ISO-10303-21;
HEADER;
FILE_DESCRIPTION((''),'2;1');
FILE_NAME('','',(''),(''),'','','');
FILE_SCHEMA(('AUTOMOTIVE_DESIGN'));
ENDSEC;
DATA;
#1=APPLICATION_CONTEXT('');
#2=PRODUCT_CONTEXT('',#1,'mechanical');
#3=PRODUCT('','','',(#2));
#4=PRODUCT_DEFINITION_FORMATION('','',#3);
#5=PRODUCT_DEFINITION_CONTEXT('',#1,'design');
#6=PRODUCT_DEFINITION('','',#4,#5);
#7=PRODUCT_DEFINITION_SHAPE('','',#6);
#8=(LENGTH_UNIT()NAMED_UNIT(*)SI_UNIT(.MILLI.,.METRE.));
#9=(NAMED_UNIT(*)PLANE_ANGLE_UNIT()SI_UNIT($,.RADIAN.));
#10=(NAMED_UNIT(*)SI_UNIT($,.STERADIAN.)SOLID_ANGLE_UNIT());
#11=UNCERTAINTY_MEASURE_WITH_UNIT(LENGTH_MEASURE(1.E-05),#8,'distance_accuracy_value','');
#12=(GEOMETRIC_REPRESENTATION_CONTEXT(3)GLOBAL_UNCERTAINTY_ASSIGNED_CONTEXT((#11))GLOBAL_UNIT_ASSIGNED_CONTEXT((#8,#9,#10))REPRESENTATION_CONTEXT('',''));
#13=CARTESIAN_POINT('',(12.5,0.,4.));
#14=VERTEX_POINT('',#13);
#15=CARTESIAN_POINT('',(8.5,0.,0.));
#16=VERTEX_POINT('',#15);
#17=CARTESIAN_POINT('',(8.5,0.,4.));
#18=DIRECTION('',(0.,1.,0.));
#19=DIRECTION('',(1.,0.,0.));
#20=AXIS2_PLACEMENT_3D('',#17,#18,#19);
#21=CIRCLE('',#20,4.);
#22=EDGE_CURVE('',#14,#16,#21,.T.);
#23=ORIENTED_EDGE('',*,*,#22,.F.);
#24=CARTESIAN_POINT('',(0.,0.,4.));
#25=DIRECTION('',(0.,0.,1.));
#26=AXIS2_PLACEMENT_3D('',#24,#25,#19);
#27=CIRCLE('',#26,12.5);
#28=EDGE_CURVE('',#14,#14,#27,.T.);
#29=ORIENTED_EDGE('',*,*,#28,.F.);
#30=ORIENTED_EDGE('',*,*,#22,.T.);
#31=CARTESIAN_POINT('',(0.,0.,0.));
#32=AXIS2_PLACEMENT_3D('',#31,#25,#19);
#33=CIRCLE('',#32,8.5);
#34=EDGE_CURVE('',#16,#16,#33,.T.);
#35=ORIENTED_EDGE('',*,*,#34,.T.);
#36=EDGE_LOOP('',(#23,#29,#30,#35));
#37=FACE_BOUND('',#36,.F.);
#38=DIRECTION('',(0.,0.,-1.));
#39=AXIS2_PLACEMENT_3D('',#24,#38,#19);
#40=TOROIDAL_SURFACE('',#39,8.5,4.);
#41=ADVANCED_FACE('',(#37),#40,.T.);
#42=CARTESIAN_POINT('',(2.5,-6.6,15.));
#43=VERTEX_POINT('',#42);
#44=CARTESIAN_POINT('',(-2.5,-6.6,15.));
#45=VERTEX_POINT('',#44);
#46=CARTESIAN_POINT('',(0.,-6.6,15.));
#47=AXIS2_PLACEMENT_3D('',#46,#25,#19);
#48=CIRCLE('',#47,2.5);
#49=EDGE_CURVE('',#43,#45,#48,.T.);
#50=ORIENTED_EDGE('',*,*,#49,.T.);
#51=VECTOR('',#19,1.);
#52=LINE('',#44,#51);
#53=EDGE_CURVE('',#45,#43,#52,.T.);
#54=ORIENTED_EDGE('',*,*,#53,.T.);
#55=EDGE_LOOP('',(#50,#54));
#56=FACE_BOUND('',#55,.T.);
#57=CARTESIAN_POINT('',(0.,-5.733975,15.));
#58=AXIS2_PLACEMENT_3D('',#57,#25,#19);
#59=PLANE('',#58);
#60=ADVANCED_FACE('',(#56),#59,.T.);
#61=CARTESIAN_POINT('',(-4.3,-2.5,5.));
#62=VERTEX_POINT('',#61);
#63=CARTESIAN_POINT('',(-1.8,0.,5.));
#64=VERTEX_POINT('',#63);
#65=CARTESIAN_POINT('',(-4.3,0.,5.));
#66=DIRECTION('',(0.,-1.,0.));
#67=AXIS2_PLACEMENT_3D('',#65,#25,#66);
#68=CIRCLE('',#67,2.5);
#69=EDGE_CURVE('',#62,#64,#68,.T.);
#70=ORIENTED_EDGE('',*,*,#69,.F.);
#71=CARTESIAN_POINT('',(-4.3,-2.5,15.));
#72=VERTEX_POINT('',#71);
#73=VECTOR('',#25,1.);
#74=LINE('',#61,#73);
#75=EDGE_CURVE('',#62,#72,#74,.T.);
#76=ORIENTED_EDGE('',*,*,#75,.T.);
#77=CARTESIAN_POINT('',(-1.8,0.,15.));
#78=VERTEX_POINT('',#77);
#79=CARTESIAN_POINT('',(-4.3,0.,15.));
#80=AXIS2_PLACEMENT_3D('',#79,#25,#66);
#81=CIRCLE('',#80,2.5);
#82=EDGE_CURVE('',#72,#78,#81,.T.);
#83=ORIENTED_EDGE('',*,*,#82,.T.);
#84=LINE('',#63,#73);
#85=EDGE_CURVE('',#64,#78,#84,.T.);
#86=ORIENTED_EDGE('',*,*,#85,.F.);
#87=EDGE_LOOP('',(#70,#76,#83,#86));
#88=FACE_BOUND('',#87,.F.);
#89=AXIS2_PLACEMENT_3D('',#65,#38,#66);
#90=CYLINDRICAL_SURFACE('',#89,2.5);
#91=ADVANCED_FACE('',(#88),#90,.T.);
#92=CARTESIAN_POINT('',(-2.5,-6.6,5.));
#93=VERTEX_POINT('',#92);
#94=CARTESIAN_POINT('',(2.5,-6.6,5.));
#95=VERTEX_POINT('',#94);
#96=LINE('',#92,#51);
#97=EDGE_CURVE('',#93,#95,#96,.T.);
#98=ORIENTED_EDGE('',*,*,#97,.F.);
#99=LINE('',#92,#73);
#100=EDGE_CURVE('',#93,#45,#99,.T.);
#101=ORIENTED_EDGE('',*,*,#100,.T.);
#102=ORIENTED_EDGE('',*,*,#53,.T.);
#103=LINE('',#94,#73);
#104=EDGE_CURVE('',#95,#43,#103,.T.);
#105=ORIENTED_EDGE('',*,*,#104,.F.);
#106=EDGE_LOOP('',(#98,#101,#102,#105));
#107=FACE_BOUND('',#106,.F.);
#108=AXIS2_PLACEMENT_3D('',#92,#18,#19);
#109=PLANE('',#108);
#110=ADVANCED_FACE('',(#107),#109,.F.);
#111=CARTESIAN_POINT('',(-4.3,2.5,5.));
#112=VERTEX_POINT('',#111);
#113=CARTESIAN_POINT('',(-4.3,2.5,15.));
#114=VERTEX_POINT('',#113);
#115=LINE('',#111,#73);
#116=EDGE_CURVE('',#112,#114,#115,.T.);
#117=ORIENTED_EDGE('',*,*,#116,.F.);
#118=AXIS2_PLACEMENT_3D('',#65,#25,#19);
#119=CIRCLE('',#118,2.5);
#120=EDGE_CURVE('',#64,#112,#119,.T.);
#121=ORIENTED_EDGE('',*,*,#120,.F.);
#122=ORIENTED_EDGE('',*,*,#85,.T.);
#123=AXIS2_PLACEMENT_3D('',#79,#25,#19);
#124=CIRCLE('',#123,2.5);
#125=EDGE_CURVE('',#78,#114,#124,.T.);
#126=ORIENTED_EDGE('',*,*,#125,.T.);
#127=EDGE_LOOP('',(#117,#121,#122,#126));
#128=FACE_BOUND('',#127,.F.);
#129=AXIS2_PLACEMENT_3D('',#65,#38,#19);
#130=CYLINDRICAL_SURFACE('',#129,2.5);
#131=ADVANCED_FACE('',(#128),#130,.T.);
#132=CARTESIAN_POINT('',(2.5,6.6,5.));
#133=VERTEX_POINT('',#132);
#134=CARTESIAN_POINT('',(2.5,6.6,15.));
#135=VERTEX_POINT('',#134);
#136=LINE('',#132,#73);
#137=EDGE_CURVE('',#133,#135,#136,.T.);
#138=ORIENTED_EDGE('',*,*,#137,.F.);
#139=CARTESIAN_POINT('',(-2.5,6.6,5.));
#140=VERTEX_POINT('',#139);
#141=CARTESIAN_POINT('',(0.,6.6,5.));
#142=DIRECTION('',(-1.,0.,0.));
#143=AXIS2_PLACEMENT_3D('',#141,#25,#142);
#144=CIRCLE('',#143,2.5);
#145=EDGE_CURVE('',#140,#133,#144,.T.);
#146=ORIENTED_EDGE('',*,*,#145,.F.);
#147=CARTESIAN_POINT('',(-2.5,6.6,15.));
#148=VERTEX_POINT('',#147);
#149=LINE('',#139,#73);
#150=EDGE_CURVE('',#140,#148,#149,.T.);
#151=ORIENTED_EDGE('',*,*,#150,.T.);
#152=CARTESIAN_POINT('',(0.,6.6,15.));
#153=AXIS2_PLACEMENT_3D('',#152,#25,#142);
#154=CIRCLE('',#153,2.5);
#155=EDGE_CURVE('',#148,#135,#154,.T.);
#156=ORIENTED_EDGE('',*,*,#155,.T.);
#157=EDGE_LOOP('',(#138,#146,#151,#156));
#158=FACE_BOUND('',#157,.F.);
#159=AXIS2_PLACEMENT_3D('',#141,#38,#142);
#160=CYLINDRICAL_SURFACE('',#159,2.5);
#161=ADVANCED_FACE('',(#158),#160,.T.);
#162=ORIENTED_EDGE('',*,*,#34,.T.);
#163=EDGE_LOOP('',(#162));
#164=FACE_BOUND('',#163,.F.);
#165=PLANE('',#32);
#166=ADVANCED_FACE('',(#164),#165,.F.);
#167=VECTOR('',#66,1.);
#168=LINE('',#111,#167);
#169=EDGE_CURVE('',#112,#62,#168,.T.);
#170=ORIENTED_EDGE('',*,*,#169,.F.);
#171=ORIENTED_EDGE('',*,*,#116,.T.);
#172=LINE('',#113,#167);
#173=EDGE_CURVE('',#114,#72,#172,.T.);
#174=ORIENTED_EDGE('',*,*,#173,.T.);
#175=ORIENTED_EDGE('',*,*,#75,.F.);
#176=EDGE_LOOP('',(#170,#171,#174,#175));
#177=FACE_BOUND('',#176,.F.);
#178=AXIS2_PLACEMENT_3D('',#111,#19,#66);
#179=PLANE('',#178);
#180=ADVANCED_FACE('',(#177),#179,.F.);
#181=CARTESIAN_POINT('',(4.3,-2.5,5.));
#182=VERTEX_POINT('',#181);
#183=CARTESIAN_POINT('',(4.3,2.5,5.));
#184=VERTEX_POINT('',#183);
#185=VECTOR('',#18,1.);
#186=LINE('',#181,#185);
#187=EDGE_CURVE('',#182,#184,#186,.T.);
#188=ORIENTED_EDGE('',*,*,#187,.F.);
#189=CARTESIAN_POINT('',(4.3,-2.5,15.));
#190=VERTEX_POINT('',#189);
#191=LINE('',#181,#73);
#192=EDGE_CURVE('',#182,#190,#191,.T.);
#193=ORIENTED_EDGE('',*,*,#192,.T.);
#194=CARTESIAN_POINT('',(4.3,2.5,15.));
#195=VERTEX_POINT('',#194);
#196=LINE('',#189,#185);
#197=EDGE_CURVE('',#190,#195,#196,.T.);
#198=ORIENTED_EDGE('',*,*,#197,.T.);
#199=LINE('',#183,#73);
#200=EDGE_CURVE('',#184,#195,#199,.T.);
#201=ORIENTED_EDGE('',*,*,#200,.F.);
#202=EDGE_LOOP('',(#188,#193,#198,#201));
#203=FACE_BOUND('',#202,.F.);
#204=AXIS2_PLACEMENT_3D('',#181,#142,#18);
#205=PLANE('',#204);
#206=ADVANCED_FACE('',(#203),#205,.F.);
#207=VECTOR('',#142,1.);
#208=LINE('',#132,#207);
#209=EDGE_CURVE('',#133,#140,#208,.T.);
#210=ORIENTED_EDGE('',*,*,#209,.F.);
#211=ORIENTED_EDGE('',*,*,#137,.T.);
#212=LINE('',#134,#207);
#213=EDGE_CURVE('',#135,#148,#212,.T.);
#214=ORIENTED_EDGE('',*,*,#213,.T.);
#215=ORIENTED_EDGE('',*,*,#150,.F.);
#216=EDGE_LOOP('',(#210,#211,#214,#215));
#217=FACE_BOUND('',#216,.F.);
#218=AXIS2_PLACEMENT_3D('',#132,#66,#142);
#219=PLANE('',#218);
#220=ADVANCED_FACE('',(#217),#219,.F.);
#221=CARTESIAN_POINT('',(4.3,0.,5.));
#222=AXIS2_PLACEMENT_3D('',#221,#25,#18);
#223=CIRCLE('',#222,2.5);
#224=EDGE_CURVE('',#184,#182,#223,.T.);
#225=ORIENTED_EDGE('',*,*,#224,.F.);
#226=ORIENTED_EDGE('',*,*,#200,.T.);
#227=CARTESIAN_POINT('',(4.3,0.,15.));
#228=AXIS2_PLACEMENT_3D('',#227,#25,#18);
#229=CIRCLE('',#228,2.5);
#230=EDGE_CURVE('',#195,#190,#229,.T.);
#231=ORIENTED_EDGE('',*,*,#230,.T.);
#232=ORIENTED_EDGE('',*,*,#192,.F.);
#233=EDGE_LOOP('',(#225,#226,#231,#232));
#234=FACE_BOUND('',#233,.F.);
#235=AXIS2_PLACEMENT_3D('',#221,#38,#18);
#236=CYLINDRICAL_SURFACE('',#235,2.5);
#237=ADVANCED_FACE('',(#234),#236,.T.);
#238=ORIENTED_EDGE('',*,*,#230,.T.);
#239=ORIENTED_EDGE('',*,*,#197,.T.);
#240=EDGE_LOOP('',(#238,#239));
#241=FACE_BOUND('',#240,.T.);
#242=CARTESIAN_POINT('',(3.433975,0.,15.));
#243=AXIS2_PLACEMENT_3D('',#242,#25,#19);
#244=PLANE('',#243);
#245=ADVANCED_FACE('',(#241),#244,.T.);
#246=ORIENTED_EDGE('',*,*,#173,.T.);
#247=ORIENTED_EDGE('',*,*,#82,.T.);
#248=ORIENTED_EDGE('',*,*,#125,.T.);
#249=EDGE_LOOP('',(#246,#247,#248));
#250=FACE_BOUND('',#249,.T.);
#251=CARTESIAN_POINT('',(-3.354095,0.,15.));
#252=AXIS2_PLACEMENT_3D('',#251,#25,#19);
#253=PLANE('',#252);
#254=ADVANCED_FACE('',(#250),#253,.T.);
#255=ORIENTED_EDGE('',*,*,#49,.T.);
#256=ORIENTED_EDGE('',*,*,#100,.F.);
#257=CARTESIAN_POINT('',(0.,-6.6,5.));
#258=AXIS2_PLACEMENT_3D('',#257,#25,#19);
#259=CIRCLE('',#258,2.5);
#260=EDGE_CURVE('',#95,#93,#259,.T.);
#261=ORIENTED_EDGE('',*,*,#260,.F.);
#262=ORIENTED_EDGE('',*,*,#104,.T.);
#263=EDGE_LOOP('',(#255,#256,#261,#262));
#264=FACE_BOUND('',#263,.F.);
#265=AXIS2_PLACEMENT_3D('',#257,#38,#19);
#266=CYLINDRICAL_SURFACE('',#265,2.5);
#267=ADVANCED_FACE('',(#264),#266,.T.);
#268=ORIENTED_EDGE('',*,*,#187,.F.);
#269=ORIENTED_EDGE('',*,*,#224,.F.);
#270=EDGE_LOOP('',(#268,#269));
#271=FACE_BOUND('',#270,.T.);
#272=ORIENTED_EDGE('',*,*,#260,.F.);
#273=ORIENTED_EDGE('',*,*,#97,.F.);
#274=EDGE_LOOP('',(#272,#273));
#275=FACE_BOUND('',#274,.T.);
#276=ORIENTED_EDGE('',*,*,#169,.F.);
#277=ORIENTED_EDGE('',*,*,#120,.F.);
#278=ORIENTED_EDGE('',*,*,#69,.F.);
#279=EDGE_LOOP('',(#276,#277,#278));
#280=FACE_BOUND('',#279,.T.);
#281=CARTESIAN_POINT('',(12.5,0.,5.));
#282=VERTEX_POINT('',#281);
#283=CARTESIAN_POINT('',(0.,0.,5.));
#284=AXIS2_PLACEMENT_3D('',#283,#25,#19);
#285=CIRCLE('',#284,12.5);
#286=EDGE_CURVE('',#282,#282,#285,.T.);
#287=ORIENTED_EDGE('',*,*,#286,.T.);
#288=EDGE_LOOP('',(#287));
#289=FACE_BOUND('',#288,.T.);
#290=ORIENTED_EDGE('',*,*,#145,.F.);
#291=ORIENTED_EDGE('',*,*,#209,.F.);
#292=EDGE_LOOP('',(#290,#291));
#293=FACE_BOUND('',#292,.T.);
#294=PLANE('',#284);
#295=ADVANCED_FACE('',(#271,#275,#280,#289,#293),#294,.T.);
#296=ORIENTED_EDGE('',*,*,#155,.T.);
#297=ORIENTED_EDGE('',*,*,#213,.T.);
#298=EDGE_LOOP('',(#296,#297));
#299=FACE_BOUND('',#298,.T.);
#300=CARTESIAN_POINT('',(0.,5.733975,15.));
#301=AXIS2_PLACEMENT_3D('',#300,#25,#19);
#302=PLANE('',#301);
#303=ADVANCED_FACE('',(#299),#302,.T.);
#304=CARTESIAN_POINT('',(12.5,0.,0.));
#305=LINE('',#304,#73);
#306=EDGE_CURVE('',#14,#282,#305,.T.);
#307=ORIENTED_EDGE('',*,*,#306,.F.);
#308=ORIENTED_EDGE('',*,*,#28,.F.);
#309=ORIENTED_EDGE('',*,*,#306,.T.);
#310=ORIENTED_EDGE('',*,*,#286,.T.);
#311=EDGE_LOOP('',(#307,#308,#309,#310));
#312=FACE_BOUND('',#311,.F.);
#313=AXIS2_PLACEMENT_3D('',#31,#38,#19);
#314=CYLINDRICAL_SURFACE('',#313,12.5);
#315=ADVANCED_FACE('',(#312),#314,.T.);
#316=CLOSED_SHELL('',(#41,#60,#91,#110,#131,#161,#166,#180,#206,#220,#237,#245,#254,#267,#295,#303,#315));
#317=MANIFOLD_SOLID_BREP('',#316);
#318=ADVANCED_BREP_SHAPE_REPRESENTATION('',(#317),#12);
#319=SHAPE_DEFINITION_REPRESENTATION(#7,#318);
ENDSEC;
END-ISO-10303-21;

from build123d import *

# Parameters (mm, degrees)
F0_R     = 12.5
F1_DEPTH = 5
F2_R     = 4
F4_DEPTH = 10


with BuildPart() as f1:
    # F0 (on Top) → F1 (new body)
    with BuildSketch(Plane.XY):
        Circle(F0_R)
    extrude(amount=F1_DEPTH)

    # F2
    f2_edges = [f1.edges().sort_by_distance(p)[0] for p in [
        (-12.5, 0, 0),
    ]]
    fillet(f2_edges, radius=F2_R)

    # F3 (on face) → F4 (join)
    with BuildSketch(Plane.XY.offset(5)):
        with BuildLine():
            ThreePointArc((-1.8, 0), (-2.532233047, 1.767766953), (-4.3, 2.5))
            Line((-4.3, 2.5), (-4.3, -2.5))
            ThreePointArc((-4.3, -2.5), (-2.532233047, -1.767766953), (-1.8, 0))
        make_face()
        with BuildLine():
            ThreePointArc((-2.5, 6.6), (0, 4.1), (2.5, 6.6))
            Line((2.5, 6.6), (-2.5, 6.6))
        make_face()
        with BuildLine():
            Line((-2.5, -6.6), (2.5, -6.6))
            ThreePointArc((2.5, -6.6), (0, -4.1), (-2.5, -6.6))
        make_face()
        with BuildLine():
            Line((4.3, -2.5), (4.3, 2.5))
            ThreePointArc((4.3, 2.5), (1.8, 0), (4.3, -2.5))
        make_face()
    extrude(amount=F4_DEPTH)


solid = f1.part
